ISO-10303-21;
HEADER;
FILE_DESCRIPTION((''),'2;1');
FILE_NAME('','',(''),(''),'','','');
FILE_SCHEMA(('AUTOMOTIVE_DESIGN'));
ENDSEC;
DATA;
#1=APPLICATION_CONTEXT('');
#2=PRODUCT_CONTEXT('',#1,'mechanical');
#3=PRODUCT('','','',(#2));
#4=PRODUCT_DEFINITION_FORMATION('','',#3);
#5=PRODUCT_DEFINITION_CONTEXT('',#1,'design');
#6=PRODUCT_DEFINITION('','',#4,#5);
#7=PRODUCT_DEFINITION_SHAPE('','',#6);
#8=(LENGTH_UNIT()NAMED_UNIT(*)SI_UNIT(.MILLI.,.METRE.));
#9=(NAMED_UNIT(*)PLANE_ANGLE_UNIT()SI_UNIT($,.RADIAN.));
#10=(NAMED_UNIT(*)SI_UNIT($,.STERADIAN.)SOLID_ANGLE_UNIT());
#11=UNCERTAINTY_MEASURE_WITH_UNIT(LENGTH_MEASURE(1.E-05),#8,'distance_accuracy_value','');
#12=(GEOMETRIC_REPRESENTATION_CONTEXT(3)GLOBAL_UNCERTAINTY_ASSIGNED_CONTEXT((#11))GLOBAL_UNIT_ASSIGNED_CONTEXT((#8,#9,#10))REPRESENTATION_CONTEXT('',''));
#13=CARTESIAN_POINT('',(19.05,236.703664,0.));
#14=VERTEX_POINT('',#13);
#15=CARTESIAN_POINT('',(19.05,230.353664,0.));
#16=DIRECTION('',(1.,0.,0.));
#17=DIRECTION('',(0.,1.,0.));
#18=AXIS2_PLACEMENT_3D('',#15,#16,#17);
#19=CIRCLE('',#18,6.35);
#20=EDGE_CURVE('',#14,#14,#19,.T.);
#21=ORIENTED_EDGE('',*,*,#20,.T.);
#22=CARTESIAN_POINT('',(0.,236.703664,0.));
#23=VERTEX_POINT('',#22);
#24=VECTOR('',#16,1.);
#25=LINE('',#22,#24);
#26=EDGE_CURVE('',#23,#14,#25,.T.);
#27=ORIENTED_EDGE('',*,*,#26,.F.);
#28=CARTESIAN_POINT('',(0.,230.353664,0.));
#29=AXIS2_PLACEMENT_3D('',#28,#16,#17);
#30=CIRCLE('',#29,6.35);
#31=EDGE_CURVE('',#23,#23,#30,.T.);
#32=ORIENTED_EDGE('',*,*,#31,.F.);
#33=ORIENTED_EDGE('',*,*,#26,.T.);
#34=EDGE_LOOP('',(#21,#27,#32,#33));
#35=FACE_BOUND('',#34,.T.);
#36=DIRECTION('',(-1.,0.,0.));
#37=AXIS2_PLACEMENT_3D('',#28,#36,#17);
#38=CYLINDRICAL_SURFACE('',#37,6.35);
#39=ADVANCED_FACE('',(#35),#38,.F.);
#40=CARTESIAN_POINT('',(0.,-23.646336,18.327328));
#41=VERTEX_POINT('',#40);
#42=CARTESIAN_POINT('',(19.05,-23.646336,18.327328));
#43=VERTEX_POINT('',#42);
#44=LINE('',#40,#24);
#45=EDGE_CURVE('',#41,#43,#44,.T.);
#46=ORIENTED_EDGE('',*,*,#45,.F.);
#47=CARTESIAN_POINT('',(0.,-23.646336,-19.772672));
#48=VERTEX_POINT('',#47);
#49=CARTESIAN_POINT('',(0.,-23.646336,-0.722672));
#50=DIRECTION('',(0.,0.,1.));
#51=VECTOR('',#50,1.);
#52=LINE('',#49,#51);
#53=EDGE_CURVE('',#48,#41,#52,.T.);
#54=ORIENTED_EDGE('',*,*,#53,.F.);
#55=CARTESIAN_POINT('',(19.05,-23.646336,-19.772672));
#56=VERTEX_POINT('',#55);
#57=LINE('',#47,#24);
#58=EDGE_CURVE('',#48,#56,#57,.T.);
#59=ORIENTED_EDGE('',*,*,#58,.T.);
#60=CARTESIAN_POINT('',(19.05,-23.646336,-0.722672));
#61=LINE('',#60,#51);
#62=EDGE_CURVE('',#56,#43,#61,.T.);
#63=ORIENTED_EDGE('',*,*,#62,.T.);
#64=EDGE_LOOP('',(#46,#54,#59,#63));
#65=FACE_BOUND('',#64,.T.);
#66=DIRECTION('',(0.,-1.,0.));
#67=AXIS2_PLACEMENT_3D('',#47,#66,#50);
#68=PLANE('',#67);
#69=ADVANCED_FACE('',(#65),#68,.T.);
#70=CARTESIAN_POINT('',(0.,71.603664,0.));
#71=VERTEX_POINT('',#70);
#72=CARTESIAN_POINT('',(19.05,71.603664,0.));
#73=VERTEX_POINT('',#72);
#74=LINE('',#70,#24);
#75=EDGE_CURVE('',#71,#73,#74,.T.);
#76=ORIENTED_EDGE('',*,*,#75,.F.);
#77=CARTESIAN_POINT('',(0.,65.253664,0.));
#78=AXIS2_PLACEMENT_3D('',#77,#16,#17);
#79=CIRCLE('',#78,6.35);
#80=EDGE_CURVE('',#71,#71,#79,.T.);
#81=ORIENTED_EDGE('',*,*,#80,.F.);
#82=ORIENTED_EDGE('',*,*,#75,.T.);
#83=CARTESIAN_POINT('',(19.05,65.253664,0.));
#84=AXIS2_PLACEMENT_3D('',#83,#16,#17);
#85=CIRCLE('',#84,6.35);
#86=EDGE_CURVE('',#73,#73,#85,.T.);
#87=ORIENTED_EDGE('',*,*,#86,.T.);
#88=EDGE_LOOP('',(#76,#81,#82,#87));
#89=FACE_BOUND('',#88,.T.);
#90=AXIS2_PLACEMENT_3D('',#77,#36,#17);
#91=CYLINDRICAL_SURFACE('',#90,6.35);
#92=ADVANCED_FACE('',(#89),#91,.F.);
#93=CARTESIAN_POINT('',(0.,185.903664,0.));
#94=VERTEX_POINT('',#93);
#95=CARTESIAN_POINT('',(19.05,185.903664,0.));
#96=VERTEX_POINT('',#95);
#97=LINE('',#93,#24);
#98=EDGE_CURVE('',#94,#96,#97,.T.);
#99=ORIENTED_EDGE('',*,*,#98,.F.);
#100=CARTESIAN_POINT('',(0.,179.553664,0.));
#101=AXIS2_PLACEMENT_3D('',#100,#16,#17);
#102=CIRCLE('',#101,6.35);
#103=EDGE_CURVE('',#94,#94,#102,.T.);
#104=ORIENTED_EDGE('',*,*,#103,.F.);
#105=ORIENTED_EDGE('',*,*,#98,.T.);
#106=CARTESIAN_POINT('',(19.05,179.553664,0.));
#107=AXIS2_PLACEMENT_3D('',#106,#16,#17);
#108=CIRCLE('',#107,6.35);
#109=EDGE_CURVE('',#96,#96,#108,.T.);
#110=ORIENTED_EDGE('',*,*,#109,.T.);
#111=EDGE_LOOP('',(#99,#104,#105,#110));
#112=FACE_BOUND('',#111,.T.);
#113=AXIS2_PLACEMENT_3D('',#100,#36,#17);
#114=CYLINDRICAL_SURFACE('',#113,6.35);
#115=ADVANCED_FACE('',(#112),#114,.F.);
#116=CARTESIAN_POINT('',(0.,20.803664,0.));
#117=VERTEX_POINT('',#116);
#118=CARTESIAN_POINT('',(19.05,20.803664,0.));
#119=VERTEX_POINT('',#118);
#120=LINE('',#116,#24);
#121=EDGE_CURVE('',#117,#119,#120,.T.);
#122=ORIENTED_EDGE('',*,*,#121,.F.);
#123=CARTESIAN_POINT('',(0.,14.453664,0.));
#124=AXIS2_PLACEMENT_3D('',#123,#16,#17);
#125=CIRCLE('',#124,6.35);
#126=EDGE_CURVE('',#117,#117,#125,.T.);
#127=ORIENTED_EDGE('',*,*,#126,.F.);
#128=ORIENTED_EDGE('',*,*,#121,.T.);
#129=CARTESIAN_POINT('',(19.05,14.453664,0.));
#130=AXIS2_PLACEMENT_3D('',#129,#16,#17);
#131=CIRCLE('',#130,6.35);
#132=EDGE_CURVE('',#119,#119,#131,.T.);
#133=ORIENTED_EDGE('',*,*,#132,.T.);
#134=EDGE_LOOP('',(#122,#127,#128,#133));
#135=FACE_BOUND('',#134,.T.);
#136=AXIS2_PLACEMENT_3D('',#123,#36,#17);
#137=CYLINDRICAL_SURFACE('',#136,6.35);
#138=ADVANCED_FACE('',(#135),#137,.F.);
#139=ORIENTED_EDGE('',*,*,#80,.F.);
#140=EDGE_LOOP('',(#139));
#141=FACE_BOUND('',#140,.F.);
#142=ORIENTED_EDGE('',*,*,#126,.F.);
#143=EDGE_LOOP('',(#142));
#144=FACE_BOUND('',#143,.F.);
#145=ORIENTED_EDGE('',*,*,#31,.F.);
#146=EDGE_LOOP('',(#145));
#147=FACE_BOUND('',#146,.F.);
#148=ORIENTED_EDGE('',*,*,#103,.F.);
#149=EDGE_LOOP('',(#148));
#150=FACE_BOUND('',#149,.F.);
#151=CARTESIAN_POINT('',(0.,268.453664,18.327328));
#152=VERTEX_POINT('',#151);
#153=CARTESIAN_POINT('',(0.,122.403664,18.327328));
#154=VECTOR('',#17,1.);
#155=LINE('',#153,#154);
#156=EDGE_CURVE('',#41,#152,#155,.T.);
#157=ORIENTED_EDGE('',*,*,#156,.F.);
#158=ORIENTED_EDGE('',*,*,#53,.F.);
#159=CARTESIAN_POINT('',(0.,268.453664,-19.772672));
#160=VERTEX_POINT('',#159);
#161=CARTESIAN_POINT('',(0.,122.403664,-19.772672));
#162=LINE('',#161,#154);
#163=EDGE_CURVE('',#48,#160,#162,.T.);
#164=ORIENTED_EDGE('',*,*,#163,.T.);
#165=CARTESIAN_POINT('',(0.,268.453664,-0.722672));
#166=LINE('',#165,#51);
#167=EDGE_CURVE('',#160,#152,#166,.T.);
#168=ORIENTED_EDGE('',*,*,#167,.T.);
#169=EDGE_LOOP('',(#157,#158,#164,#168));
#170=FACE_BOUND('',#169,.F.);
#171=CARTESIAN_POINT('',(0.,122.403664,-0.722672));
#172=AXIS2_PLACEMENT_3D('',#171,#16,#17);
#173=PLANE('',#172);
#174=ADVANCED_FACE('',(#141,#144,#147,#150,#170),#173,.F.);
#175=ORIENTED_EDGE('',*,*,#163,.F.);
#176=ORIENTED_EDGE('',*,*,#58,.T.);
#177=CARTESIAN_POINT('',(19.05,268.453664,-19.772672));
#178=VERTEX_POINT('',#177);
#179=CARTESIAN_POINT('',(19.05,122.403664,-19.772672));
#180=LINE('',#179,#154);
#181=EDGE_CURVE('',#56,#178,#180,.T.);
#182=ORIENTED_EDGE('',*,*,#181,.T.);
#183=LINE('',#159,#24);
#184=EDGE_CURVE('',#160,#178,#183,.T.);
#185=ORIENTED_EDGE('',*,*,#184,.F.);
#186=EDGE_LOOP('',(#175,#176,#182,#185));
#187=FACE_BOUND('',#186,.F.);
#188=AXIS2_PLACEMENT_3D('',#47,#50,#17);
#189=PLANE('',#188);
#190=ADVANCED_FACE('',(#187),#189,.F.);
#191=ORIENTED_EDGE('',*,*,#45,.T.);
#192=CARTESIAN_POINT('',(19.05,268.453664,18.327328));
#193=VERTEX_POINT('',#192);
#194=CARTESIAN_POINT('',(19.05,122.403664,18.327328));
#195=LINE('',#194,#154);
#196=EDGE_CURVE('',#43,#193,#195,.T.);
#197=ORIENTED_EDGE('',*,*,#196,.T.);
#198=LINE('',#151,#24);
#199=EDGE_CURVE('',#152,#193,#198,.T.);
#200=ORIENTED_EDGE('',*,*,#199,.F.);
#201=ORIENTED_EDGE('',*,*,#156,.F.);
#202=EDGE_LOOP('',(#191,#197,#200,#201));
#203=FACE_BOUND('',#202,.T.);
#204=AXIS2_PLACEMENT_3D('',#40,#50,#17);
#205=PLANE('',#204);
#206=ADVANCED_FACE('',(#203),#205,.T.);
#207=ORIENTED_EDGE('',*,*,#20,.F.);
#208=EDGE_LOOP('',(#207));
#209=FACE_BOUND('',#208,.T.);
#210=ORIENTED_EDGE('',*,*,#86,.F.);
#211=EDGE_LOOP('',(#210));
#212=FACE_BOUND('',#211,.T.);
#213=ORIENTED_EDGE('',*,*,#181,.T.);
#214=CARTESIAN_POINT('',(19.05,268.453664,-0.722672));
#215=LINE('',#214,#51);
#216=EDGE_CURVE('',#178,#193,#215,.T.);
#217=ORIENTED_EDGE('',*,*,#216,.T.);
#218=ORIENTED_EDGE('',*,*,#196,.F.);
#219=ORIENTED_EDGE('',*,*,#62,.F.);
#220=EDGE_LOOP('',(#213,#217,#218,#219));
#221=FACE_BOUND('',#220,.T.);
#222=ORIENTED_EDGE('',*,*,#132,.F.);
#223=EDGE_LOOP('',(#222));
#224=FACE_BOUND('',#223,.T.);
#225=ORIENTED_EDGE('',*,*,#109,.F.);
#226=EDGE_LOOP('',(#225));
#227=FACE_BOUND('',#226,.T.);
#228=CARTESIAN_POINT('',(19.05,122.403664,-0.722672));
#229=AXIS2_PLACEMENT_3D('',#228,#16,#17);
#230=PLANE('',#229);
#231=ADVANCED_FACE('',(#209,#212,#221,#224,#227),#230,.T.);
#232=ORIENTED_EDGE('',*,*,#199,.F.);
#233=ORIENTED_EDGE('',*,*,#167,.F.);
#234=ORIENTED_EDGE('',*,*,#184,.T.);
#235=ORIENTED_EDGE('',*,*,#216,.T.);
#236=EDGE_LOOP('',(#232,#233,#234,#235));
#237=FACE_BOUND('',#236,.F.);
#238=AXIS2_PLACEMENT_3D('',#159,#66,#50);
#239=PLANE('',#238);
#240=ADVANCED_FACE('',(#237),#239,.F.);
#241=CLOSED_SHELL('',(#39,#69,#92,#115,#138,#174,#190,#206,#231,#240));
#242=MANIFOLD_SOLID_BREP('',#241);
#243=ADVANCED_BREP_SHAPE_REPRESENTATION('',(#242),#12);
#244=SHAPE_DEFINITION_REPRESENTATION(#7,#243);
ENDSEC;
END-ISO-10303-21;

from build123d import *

# Parameters (mm, degrees)
F0_W     = 292.1
F0_H     = 38.1
F0_R     = 6.35
F1_DEPTH = 19.05


with BuildPart() as f1:
    # F0 (on Right) → F1 (new body)
    with BuildSketch(Plane.YZ):
        with Locations((122.403664, -0.722672)):
            Rectangle(F0_W, F0_H)
        with Locations((14.453664, 0)):
            Circle(F0_R, mode=Mode.SUBTRACT)
        with Locations((65.253664, 0)):
            Circle(F0_R, mode=Mode.SUBTRACT)
        with Locations((179.553664, 0)):
            Circle(F0_R, mode=Mode.SUBTRACT)
        with Locations((230.353664, 0)):
            Circle(F0_R, mode=Mode.SUBTRACT)
    extrude(amount=F1_DEPTH)


solid = f1.part
